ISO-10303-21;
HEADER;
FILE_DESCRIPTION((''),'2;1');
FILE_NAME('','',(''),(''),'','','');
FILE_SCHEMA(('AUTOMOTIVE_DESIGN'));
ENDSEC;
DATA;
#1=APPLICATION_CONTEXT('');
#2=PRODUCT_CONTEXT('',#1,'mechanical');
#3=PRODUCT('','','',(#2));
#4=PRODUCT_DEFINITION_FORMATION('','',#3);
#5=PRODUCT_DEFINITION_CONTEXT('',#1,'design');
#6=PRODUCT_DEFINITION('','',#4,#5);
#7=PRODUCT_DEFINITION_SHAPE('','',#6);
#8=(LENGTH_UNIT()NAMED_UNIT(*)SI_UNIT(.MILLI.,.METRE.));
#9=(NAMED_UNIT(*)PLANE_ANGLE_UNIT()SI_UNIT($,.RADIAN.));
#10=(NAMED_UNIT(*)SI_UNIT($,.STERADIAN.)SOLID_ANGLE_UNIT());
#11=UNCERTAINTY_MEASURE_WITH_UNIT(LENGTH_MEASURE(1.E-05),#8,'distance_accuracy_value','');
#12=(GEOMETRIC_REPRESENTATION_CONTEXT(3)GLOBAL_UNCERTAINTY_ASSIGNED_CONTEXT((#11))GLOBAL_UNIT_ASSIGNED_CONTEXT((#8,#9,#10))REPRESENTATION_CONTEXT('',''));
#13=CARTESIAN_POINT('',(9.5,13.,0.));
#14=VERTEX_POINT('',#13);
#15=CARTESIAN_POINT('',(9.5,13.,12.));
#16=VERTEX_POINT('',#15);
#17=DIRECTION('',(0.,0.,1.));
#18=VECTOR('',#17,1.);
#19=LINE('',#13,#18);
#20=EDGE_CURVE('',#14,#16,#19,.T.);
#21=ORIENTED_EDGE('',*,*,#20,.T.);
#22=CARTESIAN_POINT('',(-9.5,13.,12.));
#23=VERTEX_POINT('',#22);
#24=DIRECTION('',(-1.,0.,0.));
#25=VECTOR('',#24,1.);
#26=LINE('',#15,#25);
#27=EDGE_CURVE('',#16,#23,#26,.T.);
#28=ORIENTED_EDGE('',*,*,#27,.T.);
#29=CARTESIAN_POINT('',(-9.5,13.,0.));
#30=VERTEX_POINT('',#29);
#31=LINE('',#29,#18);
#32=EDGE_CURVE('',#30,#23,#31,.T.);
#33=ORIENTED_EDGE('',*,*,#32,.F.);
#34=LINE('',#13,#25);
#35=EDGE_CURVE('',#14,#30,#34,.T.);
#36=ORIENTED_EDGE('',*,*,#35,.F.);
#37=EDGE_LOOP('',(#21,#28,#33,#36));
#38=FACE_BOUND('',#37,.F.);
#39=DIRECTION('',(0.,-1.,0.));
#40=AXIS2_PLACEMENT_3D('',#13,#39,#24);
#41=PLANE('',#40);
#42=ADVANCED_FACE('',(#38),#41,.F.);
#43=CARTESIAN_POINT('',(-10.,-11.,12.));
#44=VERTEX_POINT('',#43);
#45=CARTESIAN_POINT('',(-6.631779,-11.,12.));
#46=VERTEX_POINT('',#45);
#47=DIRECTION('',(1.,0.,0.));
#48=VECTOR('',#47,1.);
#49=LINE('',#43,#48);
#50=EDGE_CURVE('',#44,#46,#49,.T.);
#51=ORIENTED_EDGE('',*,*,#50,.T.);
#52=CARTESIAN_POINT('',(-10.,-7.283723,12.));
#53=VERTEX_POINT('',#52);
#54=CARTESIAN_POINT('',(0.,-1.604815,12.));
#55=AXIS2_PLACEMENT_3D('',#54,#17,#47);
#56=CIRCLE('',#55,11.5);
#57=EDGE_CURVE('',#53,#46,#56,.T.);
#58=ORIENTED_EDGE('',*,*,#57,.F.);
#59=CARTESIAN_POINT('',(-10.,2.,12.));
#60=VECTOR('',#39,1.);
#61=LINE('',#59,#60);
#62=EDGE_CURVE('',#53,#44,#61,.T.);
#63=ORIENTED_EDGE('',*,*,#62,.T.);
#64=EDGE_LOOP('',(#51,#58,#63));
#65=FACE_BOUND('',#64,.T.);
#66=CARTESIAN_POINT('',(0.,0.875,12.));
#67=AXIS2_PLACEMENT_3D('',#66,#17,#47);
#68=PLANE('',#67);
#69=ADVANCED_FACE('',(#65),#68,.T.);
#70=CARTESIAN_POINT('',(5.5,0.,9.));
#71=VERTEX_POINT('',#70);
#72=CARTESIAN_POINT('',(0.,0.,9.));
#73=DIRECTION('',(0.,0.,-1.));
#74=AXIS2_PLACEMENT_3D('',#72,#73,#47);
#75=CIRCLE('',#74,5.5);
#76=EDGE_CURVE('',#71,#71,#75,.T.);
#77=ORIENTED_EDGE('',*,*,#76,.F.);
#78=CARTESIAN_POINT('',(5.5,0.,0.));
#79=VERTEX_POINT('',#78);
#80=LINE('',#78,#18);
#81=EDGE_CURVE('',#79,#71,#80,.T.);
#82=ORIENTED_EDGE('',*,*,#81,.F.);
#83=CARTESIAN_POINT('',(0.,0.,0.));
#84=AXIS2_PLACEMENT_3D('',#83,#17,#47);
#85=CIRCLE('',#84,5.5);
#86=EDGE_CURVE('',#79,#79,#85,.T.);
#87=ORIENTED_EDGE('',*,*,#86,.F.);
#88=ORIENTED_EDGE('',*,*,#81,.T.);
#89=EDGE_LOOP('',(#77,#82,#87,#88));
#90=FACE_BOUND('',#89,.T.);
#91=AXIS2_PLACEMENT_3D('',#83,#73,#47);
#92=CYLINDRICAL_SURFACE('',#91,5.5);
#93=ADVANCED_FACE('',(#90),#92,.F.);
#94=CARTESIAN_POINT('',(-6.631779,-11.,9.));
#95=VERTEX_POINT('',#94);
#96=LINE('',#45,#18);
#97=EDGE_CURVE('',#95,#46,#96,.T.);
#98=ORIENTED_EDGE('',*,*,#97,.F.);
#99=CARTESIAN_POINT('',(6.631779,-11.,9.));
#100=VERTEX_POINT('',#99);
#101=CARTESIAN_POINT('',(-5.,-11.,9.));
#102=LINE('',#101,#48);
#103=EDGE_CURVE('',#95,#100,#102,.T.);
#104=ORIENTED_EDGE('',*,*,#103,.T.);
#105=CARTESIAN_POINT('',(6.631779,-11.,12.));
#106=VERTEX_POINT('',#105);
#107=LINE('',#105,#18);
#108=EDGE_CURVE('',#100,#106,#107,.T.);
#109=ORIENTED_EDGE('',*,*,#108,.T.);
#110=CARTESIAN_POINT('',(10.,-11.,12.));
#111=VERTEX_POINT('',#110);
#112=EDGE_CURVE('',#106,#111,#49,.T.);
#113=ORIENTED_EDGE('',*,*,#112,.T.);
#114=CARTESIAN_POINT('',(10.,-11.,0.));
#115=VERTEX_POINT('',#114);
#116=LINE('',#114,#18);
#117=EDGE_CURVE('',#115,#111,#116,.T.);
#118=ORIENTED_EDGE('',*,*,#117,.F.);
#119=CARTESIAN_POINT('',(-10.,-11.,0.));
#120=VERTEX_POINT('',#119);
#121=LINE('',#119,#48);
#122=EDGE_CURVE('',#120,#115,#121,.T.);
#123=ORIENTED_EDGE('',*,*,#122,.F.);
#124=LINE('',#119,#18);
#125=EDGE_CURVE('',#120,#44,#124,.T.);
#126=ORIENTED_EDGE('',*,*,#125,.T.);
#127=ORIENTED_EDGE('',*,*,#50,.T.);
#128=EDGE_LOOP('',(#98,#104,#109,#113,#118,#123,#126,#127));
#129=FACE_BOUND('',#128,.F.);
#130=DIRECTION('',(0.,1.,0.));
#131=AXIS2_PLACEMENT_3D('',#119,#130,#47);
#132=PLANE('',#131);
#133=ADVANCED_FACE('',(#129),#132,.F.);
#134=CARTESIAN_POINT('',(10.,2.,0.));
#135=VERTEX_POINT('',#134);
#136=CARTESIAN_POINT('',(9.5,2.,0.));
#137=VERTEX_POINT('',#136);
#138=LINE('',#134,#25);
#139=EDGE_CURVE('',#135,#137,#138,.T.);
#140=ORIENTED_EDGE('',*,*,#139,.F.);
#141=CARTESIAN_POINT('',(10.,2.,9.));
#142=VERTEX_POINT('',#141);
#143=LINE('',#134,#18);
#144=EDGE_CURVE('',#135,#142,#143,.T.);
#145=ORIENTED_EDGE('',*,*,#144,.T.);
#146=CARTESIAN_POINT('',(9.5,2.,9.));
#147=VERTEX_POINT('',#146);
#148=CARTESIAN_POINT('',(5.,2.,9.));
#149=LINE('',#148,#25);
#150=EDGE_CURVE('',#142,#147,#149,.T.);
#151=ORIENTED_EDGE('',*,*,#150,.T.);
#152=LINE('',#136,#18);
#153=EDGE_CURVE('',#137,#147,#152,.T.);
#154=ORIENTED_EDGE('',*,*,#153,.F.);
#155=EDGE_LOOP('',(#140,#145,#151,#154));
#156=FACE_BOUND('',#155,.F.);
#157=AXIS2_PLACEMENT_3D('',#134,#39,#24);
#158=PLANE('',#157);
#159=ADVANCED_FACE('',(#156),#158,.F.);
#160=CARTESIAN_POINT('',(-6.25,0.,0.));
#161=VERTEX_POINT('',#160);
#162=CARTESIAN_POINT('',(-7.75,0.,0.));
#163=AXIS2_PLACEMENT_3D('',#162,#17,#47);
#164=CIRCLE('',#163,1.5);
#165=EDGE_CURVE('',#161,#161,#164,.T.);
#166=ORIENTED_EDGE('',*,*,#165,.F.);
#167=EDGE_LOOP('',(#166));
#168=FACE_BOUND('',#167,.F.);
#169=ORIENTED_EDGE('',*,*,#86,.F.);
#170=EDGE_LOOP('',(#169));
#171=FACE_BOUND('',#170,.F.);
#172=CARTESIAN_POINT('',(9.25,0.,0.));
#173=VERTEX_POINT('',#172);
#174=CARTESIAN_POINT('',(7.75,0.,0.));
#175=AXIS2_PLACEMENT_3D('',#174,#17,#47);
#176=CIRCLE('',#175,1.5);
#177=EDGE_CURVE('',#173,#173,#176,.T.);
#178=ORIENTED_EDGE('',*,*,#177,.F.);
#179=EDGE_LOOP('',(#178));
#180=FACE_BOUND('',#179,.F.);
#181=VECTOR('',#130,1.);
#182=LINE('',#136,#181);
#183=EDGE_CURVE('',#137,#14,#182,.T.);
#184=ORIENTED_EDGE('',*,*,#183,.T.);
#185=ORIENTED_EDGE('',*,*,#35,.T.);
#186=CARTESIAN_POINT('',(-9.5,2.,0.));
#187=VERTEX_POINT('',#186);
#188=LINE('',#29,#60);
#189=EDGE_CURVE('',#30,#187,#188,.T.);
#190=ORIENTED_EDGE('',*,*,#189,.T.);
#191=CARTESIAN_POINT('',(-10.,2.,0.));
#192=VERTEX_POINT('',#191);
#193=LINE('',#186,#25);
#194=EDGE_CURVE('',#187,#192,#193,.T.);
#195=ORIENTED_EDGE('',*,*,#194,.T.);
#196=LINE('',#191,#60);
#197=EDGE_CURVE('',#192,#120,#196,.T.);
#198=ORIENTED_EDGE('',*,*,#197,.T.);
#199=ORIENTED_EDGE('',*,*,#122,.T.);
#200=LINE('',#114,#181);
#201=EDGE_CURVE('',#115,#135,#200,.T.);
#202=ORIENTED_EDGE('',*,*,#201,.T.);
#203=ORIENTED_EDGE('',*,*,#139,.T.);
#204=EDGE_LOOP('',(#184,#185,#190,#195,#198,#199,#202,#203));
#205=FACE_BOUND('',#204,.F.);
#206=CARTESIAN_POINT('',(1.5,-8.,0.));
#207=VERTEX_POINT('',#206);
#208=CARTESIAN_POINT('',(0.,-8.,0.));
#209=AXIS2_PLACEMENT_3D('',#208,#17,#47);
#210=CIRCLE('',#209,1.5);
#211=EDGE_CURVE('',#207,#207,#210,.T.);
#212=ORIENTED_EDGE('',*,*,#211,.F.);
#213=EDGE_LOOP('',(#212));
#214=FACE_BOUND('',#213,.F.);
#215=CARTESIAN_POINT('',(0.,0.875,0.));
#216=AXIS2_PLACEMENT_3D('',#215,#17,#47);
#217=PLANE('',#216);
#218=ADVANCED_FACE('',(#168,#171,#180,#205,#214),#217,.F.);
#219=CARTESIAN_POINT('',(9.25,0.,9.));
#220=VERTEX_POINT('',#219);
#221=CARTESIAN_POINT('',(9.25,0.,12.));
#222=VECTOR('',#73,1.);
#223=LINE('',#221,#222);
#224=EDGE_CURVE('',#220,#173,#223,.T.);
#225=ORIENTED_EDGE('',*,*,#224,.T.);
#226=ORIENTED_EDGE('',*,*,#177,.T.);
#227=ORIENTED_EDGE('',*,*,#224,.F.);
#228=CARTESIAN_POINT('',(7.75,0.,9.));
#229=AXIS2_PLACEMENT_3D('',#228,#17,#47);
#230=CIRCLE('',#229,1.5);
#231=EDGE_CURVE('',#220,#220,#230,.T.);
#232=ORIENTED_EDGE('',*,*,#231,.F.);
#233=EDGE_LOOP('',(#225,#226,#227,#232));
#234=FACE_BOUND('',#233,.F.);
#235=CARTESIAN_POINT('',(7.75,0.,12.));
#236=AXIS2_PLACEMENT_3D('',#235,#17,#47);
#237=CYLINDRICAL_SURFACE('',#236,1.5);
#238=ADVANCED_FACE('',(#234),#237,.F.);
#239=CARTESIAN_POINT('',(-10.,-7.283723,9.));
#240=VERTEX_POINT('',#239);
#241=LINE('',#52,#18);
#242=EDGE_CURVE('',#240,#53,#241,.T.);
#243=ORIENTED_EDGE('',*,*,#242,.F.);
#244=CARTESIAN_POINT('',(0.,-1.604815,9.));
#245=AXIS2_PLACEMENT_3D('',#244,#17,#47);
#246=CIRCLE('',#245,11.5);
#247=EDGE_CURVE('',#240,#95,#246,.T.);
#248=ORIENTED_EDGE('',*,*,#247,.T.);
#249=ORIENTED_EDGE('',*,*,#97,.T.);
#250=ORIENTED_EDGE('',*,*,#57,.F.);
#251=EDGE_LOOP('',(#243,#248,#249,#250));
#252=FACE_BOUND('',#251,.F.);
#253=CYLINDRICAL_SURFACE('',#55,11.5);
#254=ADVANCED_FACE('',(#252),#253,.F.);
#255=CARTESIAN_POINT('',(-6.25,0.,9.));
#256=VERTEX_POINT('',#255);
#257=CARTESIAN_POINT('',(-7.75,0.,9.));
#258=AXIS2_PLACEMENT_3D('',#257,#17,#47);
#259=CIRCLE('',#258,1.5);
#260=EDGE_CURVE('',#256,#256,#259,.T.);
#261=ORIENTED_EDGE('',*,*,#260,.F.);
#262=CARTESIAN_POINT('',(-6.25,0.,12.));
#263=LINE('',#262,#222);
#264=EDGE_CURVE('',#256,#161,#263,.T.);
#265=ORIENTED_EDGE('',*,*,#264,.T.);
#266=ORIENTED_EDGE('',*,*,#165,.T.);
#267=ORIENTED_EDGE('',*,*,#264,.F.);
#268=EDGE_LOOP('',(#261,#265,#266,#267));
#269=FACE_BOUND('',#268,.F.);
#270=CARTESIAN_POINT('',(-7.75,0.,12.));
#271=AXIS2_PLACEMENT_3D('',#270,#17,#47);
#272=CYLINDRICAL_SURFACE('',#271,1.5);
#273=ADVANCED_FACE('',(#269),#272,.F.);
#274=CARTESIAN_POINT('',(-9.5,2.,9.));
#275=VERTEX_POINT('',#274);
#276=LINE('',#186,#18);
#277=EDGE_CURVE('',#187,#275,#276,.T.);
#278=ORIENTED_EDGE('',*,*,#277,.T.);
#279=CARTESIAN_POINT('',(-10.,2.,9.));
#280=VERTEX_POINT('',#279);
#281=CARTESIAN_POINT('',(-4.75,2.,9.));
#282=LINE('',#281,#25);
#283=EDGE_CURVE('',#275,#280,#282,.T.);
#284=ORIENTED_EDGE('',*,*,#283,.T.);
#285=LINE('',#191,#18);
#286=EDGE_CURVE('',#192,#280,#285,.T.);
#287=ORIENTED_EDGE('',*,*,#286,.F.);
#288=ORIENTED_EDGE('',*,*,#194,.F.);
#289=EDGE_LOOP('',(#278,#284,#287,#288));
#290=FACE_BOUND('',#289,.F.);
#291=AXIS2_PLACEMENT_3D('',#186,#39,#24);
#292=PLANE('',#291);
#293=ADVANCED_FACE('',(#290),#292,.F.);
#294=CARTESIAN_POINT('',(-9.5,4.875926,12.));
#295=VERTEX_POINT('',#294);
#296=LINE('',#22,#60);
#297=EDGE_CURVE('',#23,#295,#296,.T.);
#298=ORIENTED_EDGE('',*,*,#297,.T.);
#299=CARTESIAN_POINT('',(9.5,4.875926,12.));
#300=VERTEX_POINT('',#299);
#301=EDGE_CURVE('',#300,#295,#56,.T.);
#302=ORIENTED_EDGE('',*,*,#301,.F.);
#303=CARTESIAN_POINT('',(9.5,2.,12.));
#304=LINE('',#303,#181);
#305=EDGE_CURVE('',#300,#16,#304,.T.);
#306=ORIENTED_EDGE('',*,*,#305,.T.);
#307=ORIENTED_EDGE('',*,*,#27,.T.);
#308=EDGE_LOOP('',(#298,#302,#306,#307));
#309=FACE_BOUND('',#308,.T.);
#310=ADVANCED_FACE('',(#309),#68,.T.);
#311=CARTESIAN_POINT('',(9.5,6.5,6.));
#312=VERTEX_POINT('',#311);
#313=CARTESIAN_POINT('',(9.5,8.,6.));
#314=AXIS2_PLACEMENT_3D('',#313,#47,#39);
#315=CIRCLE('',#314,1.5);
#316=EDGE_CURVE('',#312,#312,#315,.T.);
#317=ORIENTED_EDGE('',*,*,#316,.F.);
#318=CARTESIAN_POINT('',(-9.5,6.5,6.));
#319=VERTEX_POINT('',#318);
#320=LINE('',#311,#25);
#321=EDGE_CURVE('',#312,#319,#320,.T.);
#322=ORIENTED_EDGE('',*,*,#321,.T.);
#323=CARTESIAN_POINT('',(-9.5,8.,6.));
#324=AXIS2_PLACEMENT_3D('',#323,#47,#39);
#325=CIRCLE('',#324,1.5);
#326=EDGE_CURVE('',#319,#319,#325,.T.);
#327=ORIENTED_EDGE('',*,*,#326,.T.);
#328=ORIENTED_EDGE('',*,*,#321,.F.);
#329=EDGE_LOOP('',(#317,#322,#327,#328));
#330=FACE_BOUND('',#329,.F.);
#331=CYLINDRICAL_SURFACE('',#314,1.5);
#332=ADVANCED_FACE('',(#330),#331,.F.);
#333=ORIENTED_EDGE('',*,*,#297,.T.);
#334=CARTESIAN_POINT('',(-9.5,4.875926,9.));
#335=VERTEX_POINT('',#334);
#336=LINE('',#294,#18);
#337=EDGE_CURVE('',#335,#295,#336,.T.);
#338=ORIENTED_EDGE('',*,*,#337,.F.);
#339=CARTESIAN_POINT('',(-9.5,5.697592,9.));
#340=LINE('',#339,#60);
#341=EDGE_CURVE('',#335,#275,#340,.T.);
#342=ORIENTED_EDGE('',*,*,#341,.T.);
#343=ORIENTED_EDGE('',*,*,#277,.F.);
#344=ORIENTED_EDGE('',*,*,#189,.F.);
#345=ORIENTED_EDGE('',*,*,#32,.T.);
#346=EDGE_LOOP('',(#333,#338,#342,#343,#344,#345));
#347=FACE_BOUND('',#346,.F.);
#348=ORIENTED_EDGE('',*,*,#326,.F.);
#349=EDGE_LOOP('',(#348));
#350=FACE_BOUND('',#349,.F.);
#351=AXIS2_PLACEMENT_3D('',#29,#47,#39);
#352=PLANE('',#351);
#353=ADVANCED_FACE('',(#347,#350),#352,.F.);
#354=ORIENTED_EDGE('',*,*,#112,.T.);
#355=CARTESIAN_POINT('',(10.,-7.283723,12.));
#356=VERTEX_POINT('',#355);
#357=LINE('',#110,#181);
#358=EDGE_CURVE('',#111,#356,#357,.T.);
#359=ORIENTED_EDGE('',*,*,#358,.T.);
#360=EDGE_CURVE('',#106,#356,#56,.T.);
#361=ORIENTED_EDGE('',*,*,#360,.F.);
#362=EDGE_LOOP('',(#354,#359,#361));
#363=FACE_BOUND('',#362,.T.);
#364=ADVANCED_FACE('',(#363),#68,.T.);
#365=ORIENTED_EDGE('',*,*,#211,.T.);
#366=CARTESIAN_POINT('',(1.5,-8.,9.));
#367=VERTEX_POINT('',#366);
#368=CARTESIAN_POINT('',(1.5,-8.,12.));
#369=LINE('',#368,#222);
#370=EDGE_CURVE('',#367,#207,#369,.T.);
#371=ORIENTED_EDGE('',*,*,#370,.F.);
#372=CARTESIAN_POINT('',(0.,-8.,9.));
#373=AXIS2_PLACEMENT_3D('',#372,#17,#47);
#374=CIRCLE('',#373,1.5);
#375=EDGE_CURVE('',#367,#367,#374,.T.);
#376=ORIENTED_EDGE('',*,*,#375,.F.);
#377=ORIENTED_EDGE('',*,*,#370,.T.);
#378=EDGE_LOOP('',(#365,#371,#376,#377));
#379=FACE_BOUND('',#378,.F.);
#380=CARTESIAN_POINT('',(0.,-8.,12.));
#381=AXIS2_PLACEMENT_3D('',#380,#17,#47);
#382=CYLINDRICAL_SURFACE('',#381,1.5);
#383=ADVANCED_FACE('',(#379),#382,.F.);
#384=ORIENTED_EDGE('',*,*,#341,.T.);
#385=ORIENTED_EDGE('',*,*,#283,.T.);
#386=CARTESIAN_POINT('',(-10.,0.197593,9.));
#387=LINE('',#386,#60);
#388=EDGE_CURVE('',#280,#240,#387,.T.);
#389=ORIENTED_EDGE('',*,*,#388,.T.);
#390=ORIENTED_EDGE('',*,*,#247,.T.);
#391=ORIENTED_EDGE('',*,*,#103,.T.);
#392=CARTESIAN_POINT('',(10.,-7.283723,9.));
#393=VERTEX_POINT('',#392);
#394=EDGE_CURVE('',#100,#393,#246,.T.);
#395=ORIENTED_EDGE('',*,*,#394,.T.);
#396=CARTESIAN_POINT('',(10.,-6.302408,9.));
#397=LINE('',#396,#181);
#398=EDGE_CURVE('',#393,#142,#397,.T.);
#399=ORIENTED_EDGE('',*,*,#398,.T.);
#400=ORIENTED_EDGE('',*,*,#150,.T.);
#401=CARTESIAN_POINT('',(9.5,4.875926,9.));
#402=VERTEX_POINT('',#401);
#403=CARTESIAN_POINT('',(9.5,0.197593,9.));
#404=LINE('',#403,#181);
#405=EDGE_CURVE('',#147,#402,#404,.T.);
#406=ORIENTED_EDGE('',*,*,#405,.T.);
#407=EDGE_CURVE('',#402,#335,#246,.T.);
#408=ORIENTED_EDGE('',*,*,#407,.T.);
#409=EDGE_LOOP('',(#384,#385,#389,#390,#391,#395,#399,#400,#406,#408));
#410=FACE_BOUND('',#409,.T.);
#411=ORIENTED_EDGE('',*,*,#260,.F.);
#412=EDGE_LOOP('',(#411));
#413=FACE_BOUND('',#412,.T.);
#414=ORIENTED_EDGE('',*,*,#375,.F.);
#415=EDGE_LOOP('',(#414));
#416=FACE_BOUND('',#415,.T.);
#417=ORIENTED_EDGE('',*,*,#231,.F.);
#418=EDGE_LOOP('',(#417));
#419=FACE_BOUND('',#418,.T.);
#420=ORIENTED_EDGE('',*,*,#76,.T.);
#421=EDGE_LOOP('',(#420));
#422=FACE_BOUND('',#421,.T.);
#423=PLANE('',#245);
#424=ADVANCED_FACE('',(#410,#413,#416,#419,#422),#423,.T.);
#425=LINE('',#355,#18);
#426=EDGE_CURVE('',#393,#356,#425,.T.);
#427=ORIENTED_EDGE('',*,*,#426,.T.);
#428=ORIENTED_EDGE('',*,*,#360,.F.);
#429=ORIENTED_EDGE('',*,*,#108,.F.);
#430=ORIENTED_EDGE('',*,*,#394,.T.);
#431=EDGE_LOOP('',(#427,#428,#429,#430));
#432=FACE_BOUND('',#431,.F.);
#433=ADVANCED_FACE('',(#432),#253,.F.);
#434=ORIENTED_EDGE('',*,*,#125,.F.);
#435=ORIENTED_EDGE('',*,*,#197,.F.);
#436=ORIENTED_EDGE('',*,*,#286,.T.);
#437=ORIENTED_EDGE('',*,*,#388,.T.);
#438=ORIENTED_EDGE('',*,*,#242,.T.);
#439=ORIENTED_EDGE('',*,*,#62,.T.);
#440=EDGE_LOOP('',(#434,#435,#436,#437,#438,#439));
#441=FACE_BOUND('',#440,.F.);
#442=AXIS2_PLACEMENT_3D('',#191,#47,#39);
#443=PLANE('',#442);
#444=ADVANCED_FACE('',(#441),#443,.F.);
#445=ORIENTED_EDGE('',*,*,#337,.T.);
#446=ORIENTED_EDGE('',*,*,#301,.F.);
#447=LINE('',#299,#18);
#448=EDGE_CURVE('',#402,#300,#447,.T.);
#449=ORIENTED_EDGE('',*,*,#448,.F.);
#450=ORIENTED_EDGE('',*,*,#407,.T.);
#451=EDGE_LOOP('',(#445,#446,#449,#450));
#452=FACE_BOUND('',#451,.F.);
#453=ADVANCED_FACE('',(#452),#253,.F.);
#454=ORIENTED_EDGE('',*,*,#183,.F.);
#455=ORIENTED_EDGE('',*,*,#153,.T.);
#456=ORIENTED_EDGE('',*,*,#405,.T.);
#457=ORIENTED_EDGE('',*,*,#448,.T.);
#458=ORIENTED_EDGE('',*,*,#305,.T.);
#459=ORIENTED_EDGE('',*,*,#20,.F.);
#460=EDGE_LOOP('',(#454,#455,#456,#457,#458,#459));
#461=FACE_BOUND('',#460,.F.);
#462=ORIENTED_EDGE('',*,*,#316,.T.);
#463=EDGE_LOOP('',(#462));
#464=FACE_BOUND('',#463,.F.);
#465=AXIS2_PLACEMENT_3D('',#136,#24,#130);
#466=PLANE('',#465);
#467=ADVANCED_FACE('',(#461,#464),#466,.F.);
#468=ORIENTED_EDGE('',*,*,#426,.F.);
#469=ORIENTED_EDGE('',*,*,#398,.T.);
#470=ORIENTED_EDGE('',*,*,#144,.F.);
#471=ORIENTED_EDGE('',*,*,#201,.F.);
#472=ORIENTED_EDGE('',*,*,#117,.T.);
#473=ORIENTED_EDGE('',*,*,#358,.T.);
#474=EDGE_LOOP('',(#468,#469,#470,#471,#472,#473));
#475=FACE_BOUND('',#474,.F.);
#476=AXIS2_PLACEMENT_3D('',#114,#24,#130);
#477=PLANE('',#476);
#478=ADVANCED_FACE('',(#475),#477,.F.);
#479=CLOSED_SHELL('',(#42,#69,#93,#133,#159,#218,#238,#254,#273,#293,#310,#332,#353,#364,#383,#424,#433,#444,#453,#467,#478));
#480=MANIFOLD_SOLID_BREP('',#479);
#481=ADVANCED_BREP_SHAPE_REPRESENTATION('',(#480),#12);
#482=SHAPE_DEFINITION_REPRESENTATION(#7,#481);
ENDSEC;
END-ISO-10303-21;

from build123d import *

# Parameters (mm, degrees)
F0_R     = 5.5
F1_DEPTH = 12
F2_R     = 1.5
F3_DEPTH = 12
F5_DEPTH = 22
F6_R     = 11.5
F7_DEPTH = 3


with BuildPart() as f1:
    # F0 (on Top) → F1 (new body)
    with BuildSketch(Plane.XY):
        Polygon((9.5, 2), (9.5, 13), (-9.5, 13), (-9.5, 2), (-10, 2), (-10, -11), (10, -11), (10, 2), align=None)
        Circle(F0_R, mode=Mode.SUBTRACT)
    extrude(amount=F1_DEPTH)

    # F2 (on face) → F3 (cut)
    with BuildSketch(Plane.XY.offset(12)):
        with Locations((7.75, 0)):
            Circle(F2_R)
        with Locations((-7.75, 0)):
            Circle(F2_R)
        with Locations((0, -8)):
            Circle(F2_R)
    extrude(amount=-F3_DEPTH, mode=Mode.SUBTRACT)

    # F4 (on face) → F5 (cut)
    with BuildSketch(Plane.YZ.offset(9.5)):
        with BuildLine():
            ThreePointArc((9.5, 6), (8, 7.5), (6.5, 6))
            ThreePointArc((6.5, 6), (8, 4.5), (9.5, 6))
        make_face()
    extrude(amount=-F5_DEPTH, mode=Mode.SUBTRACT)

    # F6 (on face) → F7 (cut)
    with BuildSketch(Plane.XY.offset(12)):
        with Locations((0, -1.604815)):
            Circle(F6_R)
    extrude(amount=-F7_DEPTH, mode=Mode.SUBTRACT)


solid = f1.part
